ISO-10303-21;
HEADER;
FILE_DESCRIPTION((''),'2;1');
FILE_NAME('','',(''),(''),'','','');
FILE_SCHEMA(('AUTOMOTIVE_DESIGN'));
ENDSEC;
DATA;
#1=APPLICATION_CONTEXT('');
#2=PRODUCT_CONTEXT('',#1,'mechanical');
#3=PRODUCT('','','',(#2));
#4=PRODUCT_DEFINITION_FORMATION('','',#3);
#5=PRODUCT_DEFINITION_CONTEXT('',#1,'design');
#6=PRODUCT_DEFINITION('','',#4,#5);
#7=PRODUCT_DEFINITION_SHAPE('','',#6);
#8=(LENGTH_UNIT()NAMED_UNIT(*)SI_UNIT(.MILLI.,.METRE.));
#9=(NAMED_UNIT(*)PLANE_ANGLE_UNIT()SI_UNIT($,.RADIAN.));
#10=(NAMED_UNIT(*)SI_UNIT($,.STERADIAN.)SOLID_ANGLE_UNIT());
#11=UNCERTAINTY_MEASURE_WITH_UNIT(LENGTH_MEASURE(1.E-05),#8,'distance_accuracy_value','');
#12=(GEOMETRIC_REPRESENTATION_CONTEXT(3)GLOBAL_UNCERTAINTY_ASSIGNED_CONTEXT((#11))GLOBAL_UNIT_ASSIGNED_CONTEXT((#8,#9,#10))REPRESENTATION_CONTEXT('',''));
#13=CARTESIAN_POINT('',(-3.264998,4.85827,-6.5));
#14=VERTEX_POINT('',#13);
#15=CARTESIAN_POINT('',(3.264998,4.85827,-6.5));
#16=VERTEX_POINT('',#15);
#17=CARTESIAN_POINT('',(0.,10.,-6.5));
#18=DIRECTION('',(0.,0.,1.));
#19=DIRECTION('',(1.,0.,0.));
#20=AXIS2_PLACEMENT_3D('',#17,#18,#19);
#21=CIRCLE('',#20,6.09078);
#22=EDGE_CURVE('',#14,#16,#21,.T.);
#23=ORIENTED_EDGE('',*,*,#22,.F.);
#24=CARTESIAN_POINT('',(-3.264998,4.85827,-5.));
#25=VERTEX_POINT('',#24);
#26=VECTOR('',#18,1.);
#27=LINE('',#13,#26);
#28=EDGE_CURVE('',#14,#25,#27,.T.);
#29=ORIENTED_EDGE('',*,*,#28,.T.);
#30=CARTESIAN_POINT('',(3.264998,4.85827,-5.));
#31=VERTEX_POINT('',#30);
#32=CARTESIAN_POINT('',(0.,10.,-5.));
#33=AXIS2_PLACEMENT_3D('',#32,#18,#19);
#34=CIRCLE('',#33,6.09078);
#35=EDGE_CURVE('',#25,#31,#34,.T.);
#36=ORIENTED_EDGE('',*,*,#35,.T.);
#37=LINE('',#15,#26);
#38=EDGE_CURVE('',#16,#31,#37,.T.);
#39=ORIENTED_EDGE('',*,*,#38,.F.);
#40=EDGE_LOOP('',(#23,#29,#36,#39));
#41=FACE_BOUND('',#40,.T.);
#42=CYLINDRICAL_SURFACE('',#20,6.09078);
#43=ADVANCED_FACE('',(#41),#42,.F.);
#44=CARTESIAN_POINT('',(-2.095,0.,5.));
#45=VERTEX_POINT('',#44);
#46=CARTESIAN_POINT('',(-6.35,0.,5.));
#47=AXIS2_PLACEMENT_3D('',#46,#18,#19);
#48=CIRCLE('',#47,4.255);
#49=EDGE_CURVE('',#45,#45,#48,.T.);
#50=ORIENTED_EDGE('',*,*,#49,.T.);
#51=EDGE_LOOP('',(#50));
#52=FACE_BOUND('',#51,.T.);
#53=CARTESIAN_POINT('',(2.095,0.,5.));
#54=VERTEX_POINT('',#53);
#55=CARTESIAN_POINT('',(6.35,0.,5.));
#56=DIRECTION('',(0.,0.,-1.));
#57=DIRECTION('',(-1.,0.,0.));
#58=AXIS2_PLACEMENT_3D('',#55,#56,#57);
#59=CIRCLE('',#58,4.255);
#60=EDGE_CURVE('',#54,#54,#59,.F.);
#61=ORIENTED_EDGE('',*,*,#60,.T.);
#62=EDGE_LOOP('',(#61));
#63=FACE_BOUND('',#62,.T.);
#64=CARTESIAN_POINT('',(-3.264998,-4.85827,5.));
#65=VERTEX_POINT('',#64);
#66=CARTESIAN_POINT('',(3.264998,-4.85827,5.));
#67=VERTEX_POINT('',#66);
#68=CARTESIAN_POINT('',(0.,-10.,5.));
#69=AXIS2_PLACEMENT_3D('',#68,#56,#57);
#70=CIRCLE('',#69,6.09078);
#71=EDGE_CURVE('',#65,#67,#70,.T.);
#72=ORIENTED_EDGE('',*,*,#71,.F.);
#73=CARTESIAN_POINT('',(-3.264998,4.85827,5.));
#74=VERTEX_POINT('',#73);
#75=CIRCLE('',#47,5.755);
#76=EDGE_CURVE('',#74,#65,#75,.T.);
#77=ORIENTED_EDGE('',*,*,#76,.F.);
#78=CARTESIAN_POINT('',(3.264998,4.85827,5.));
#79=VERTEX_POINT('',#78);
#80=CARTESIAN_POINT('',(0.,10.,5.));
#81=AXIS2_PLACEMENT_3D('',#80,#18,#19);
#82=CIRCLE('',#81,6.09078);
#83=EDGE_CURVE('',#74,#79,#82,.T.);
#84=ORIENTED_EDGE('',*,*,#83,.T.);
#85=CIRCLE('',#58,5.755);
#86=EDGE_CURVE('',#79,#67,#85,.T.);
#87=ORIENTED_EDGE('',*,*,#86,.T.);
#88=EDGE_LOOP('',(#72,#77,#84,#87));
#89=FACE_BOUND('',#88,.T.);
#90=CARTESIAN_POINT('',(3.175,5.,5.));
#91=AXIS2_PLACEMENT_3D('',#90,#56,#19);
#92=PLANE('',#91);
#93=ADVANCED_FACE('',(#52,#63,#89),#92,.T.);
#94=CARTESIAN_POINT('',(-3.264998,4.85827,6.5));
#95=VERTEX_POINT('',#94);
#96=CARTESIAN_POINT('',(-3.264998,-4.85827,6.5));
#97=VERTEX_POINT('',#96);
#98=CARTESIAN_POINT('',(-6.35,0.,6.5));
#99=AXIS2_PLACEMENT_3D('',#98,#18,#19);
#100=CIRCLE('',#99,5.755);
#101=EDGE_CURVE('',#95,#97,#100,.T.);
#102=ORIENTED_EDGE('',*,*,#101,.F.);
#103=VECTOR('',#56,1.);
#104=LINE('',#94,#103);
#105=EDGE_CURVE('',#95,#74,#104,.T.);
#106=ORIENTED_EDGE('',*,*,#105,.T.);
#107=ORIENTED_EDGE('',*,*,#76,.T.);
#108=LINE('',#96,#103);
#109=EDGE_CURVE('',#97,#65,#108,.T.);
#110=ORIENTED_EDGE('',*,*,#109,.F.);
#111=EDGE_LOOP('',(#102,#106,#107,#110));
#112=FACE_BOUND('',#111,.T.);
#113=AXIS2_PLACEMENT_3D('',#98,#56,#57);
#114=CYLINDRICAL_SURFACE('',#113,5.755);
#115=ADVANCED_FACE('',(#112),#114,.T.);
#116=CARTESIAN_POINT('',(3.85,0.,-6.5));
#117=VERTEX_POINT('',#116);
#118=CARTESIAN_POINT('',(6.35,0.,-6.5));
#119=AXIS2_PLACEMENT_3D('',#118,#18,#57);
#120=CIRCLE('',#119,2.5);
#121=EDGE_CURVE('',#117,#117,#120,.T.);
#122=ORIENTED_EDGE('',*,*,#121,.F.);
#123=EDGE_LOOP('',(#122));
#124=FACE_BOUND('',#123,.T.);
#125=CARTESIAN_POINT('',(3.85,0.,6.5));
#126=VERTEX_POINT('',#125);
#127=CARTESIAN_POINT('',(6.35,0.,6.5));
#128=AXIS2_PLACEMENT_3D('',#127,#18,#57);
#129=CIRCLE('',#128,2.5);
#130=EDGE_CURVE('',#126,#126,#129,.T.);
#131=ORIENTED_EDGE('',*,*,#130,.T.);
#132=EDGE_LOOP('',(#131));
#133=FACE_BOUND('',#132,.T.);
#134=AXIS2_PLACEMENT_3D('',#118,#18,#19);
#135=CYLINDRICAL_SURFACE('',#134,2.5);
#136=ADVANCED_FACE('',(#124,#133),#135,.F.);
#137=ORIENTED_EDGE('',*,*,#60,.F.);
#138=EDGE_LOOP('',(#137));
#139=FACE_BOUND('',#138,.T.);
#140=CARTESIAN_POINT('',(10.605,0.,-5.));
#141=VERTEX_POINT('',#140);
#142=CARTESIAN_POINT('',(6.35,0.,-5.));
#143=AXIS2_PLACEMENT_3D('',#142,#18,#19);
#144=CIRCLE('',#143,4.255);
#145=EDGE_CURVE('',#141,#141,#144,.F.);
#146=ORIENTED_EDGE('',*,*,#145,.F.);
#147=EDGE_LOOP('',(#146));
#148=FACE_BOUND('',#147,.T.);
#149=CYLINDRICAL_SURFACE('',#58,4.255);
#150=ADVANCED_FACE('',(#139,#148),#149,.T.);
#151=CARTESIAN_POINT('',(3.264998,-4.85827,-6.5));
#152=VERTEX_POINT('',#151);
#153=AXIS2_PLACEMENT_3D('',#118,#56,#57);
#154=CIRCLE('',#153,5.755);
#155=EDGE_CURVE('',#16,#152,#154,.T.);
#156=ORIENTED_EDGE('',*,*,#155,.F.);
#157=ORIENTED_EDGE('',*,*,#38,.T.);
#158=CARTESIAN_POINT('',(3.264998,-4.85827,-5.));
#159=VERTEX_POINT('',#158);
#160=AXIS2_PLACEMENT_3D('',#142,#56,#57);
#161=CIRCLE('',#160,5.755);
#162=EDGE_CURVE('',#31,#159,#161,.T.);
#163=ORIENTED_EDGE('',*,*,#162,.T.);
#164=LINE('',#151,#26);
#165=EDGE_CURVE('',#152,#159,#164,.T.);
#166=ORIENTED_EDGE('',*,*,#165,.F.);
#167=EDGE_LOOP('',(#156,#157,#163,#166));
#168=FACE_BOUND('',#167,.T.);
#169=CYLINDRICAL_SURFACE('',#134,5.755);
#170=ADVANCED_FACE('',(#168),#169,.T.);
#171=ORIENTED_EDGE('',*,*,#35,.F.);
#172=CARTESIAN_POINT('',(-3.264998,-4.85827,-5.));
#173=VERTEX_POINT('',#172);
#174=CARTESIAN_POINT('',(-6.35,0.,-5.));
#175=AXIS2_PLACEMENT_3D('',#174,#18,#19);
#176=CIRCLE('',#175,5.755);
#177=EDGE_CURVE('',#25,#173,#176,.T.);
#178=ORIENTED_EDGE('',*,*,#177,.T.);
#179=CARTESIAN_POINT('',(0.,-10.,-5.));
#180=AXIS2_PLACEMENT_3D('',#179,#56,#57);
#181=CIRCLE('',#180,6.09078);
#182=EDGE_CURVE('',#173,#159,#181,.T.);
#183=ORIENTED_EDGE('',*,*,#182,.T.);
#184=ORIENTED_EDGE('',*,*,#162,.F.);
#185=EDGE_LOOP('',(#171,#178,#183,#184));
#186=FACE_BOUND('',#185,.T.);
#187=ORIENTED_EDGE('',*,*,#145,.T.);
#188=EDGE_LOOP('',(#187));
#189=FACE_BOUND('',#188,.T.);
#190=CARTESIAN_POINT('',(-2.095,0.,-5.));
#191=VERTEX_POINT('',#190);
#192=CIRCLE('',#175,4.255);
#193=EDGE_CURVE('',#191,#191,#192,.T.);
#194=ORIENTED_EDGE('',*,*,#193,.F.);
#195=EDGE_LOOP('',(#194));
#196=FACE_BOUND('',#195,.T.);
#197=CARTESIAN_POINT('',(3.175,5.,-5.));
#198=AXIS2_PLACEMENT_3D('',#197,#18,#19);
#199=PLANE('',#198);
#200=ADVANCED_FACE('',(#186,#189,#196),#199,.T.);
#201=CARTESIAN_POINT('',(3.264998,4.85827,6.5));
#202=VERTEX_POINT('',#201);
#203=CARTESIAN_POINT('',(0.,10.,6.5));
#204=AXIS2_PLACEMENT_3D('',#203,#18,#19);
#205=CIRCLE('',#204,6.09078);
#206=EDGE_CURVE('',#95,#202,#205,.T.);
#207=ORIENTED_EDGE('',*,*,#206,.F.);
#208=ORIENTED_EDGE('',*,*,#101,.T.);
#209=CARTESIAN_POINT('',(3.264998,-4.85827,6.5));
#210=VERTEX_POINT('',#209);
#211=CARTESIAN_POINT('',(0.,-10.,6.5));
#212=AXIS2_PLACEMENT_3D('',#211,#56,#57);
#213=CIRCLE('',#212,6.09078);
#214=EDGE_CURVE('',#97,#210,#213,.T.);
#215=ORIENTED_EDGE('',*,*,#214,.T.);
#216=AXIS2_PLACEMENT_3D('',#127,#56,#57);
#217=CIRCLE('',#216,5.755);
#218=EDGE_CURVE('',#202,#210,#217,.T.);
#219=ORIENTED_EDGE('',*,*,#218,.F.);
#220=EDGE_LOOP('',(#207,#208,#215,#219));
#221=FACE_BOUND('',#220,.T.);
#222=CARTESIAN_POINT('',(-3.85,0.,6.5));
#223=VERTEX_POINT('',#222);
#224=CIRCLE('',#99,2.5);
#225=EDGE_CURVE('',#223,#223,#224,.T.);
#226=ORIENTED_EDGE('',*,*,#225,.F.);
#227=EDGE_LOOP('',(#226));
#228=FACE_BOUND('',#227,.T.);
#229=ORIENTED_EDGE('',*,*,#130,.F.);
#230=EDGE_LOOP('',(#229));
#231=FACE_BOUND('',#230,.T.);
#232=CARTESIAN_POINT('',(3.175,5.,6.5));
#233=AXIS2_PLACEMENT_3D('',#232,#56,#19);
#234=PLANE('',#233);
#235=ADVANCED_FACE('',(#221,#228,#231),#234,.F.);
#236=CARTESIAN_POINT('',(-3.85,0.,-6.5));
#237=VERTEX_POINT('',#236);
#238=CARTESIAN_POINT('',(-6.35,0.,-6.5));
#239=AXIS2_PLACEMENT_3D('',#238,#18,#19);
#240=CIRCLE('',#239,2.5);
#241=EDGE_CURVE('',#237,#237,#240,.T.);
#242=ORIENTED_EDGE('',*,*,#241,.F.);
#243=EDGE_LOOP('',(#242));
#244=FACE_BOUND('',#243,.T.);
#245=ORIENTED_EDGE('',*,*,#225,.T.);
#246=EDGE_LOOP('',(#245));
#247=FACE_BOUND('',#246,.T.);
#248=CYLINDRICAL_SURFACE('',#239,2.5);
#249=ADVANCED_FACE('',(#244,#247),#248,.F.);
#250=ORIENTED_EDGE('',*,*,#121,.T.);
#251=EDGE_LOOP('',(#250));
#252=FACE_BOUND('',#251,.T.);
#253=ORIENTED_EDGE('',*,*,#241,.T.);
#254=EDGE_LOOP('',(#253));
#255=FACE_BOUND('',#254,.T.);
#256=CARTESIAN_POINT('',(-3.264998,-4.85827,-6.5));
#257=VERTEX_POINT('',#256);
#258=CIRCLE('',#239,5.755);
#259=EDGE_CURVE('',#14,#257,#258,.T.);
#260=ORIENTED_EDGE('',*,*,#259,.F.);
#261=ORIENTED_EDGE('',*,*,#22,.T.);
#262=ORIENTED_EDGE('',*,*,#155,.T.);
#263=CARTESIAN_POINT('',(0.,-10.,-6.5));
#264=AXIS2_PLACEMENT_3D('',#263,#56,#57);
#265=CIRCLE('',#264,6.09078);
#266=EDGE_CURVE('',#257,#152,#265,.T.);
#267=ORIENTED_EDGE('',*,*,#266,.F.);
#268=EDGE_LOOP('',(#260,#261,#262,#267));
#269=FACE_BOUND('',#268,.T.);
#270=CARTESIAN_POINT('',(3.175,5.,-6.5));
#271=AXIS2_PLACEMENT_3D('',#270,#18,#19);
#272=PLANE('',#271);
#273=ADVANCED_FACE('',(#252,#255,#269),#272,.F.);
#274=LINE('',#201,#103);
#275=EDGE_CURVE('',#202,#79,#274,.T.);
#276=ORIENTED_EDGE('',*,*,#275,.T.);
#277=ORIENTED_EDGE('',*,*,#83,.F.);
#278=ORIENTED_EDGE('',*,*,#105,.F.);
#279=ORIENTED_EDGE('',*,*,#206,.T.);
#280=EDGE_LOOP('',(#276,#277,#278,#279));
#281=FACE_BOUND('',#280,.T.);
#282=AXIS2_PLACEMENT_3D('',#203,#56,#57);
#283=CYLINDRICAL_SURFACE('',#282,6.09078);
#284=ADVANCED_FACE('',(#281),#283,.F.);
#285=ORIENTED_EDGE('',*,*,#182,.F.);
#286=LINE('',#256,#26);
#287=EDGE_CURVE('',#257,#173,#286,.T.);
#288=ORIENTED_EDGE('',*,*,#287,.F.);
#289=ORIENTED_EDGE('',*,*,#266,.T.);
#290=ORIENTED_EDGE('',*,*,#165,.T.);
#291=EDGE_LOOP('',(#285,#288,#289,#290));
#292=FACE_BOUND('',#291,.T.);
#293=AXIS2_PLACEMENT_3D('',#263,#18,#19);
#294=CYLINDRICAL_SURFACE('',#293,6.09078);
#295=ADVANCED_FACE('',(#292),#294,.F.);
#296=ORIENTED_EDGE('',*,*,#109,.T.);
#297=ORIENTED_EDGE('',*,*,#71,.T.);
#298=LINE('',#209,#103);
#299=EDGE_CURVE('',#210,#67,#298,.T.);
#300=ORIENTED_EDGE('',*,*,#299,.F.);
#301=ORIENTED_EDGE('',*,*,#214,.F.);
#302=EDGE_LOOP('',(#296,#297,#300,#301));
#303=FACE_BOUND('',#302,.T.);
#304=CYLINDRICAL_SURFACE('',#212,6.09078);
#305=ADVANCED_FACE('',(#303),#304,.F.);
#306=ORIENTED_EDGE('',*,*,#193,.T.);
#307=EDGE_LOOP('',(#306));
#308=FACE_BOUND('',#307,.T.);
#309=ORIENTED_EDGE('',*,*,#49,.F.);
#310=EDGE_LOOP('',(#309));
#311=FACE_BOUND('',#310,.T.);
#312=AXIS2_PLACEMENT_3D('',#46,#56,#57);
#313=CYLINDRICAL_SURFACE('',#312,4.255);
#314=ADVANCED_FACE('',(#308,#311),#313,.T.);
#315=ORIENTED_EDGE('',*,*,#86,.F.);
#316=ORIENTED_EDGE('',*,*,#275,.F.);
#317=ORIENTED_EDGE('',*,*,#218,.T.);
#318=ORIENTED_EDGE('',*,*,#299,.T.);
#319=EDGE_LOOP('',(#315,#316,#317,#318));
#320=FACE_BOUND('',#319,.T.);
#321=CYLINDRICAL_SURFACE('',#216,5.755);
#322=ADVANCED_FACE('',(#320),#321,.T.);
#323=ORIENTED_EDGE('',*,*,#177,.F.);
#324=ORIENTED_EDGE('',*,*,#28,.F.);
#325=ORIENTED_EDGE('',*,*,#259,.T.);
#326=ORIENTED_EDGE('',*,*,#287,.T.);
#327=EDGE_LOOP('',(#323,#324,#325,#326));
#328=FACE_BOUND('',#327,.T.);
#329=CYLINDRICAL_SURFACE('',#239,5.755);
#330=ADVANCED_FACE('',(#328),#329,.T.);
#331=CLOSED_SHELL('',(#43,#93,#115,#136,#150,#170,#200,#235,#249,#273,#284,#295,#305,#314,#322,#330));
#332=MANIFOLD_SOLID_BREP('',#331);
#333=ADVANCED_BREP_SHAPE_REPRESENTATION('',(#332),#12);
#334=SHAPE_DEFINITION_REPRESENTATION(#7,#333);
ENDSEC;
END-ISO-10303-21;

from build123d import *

# Parameters (mm, degrees)
SKETCH1_R               = 4.255
BOSS_EXTRUDE3_DEPTH     = 5
BOSS_EXTRUDE3_2_DEPTH   = 5
BOSS_EXTRUDE7_START     = -5
BOSS_EXTRUDE7_DEPTH     = 1.5
CUT_EXTRUDE1_DEPTH      = 15.896343511
CUT_EXTRUDE1_DEPTH_BACK = 15.896343511
SKETCH2_R               = 2.5


with BuildPart() as part:
    # Sketch1 → Boss-Extrude3 (new, symmetric)
    with BuildSketch(Plane.XY):
        with Locations((-6.35, 0)):
            Circle(SKETCH1_R)
    extrude(amount=BOSS_EXTRUDE3_DEPTH, both=True)



with BuildPart() as body_2:
    # Sketch1 → Boss-Extrude3 2 (new, symmetric)
    with BuildSketch(Plane.XY):
        with Locations((6.35, 0)):
            Circle(SKETCH1_R)
    extrude(amount=BOSS_EXTRUDE3_2_DEPTH, both=True)


with BuildPart() as part_1:
    add(part.part)

    add(body_2.part)  # Boss-Extrude7 merges body 2
    # Sketch1<5> → Boss-Extrude7 (add)
    with BuildSketch(Plane.XY.offset(BOSS_EXTRUDE7_START)):
        with BuildLine():
            ThreePointArc((-3.26499838, 4.858270268), (-12.105, 0), (-3.26499838, -4.858270268))
            ThreePointArc((-3.26499838, -4.858270268), (0, -3.909220161), (3.26499838, -4.858270268))
            ThreePointArc((3.26499838, -4.858270268), (12.105, 0), (3.26499838, 4.858270268))
            ThreePointArc((3.26499838, 4.858270268), (0, 3.909220161), (-3.26499838, 4.858270268))
        make_face()
    boss_extrude7 = extrude(amount=-BOSS_EXTRUDE7_DEPTH)

    # Mirror1: Boss-Extrude7 across plane
    add(boss_extrude7.mirror(Plane.XY))

    # Sketch2 → Cut-Extrude1 (cut, two sides: drawn at the far end of the back side and taken through both)
    with BuildSketch(Plane.XY.offset(-CUT_EXTRUDE1_DEPTH_BACK)):
        with Locations((-6.35, 0)):
            Circle(SKETCH2_R)
        with Locations((6.35, 0)):
            Circle(SKETCH2_R)
    extrude(amount=CUT_EXTRUDE1_DEPTH + CUT_EXTRUDE1_DEPTH_BACK, mode=Mode.SUBTRACT)


solid = part_1.part
